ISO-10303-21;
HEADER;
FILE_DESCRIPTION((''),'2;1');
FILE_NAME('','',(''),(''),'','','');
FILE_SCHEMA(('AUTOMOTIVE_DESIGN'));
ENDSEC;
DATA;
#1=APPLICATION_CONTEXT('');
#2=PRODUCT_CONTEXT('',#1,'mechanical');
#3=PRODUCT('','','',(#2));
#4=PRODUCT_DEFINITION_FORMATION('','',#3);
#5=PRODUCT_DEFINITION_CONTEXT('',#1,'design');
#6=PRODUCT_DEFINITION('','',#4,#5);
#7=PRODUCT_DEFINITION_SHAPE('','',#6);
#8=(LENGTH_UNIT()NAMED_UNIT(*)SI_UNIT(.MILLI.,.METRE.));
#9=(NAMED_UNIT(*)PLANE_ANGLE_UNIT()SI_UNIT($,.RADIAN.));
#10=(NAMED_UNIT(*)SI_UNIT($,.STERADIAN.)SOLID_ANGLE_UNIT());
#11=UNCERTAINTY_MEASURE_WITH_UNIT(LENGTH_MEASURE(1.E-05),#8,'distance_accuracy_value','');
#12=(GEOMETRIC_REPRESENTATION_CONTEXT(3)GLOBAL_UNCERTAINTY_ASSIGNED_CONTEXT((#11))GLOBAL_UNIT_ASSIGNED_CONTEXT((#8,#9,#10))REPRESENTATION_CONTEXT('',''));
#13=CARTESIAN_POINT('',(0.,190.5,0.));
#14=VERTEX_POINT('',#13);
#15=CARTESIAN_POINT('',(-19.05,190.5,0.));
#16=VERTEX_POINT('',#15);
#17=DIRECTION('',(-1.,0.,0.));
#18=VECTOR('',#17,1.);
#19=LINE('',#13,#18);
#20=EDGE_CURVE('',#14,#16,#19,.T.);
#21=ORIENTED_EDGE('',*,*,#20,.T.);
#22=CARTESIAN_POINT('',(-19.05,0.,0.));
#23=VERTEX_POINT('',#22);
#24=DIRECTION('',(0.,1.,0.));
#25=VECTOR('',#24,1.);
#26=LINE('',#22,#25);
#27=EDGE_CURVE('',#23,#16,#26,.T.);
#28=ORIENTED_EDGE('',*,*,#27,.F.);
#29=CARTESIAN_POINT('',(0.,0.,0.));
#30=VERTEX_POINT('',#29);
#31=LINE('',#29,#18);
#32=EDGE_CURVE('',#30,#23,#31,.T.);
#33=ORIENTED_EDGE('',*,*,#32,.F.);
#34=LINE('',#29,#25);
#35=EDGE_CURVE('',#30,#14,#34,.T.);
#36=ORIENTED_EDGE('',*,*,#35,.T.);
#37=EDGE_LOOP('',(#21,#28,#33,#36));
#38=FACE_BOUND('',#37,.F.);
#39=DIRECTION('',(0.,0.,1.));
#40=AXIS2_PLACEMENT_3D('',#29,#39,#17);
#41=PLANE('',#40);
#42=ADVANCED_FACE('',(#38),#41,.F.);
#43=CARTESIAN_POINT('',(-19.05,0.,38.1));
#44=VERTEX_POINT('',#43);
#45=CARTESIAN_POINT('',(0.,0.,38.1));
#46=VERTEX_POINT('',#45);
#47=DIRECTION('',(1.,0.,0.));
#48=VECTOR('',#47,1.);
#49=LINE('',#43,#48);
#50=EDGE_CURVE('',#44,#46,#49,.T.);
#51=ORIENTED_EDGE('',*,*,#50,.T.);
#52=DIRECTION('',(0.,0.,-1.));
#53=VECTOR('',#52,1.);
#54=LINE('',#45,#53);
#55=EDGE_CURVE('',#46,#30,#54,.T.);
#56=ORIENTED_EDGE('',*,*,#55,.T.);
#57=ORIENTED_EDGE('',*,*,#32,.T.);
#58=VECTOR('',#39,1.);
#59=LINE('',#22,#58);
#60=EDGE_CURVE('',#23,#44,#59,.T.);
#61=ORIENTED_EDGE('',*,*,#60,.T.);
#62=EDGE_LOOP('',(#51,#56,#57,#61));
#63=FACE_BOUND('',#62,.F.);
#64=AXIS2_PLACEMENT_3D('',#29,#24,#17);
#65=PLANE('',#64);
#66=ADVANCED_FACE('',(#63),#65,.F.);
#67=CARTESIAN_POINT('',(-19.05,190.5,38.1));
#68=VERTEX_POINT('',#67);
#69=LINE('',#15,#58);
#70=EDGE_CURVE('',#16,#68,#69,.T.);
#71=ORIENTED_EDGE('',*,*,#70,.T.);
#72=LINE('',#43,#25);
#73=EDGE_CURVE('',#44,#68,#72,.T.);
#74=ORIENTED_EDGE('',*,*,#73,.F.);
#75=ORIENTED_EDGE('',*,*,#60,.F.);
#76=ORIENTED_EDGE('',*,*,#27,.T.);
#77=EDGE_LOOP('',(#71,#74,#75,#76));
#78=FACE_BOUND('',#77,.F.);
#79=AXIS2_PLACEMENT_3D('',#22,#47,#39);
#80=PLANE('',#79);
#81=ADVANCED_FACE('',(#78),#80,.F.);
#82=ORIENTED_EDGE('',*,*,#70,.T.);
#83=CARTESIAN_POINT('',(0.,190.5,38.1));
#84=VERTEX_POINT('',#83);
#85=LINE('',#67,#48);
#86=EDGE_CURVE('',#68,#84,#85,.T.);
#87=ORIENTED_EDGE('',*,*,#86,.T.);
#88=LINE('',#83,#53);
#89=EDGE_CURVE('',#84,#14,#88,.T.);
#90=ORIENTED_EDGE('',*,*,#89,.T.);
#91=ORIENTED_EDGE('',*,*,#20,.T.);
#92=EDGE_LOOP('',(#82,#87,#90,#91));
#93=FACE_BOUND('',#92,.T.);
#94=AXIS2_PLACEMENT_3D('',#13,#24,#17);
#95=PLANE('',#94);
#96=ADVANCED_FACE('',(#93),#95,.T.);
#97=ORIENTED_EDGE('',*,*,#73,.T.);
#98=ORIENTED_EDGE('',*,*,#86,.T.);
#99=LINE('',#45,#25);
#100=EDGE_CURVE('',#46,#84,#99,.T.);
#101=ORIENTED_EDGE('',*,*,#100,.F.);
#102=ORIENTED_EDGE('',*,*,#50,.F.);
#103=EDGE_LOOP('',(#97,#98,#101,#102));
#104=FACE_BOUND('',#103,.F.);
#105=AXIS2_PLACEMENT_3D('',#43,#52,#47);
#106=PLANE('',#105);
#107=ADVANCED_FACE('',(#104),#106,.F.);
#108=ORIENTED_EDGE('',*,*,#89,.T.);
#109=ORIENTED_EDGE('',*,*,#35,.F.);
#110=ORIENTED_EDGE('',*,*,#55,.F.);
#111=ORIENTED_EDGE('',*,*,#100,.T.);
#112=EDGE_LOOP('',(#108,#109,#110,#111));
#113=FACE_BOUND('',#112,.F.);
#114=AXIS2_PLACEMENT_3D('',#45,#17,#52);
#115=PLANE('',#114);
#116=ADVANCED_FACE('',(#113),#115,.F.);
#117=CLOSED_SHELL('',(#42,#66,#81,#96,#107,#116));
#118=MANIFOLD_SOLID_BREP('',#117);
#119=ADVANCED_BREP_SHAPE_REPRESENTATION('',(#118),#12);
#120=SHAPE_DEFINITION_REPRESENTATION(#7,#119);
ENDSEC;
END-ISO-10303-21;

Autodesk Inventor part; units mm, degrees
ref_plane "YZ Plane" through (0, 0, 0) normal (1, 0, 0) x (0, 1, 0)
ref_plane "XZ Plane" through (0, 0, 0) normal (0, 1, 0) x (-1, 0, 0)
ref_plane "XY Plane" through (0, 0, 0) normal (0, 0, 1) x (1, 0, 0)
sketch "Sketch1" plane through (0, 0, 0) normal (0, 1, 0) x (-1, 0, 0)
  line L0 (0, 0) -> (19.05, 0)
  line L1 (19.05, 0) -> (19.05, 38.1)
  line L2 (19.05, 38.1) -> (0, 38.1)
  line L3 (0, 38.1) -> (0, 0)
  dimension "d0" = 19.05
  dimension "d1" = 38.1
extrude "Extrusion1" add sketch "Sketch1" along normal blind 190.5
properties part number "topStageFrame" material "Wood (Birch)"
